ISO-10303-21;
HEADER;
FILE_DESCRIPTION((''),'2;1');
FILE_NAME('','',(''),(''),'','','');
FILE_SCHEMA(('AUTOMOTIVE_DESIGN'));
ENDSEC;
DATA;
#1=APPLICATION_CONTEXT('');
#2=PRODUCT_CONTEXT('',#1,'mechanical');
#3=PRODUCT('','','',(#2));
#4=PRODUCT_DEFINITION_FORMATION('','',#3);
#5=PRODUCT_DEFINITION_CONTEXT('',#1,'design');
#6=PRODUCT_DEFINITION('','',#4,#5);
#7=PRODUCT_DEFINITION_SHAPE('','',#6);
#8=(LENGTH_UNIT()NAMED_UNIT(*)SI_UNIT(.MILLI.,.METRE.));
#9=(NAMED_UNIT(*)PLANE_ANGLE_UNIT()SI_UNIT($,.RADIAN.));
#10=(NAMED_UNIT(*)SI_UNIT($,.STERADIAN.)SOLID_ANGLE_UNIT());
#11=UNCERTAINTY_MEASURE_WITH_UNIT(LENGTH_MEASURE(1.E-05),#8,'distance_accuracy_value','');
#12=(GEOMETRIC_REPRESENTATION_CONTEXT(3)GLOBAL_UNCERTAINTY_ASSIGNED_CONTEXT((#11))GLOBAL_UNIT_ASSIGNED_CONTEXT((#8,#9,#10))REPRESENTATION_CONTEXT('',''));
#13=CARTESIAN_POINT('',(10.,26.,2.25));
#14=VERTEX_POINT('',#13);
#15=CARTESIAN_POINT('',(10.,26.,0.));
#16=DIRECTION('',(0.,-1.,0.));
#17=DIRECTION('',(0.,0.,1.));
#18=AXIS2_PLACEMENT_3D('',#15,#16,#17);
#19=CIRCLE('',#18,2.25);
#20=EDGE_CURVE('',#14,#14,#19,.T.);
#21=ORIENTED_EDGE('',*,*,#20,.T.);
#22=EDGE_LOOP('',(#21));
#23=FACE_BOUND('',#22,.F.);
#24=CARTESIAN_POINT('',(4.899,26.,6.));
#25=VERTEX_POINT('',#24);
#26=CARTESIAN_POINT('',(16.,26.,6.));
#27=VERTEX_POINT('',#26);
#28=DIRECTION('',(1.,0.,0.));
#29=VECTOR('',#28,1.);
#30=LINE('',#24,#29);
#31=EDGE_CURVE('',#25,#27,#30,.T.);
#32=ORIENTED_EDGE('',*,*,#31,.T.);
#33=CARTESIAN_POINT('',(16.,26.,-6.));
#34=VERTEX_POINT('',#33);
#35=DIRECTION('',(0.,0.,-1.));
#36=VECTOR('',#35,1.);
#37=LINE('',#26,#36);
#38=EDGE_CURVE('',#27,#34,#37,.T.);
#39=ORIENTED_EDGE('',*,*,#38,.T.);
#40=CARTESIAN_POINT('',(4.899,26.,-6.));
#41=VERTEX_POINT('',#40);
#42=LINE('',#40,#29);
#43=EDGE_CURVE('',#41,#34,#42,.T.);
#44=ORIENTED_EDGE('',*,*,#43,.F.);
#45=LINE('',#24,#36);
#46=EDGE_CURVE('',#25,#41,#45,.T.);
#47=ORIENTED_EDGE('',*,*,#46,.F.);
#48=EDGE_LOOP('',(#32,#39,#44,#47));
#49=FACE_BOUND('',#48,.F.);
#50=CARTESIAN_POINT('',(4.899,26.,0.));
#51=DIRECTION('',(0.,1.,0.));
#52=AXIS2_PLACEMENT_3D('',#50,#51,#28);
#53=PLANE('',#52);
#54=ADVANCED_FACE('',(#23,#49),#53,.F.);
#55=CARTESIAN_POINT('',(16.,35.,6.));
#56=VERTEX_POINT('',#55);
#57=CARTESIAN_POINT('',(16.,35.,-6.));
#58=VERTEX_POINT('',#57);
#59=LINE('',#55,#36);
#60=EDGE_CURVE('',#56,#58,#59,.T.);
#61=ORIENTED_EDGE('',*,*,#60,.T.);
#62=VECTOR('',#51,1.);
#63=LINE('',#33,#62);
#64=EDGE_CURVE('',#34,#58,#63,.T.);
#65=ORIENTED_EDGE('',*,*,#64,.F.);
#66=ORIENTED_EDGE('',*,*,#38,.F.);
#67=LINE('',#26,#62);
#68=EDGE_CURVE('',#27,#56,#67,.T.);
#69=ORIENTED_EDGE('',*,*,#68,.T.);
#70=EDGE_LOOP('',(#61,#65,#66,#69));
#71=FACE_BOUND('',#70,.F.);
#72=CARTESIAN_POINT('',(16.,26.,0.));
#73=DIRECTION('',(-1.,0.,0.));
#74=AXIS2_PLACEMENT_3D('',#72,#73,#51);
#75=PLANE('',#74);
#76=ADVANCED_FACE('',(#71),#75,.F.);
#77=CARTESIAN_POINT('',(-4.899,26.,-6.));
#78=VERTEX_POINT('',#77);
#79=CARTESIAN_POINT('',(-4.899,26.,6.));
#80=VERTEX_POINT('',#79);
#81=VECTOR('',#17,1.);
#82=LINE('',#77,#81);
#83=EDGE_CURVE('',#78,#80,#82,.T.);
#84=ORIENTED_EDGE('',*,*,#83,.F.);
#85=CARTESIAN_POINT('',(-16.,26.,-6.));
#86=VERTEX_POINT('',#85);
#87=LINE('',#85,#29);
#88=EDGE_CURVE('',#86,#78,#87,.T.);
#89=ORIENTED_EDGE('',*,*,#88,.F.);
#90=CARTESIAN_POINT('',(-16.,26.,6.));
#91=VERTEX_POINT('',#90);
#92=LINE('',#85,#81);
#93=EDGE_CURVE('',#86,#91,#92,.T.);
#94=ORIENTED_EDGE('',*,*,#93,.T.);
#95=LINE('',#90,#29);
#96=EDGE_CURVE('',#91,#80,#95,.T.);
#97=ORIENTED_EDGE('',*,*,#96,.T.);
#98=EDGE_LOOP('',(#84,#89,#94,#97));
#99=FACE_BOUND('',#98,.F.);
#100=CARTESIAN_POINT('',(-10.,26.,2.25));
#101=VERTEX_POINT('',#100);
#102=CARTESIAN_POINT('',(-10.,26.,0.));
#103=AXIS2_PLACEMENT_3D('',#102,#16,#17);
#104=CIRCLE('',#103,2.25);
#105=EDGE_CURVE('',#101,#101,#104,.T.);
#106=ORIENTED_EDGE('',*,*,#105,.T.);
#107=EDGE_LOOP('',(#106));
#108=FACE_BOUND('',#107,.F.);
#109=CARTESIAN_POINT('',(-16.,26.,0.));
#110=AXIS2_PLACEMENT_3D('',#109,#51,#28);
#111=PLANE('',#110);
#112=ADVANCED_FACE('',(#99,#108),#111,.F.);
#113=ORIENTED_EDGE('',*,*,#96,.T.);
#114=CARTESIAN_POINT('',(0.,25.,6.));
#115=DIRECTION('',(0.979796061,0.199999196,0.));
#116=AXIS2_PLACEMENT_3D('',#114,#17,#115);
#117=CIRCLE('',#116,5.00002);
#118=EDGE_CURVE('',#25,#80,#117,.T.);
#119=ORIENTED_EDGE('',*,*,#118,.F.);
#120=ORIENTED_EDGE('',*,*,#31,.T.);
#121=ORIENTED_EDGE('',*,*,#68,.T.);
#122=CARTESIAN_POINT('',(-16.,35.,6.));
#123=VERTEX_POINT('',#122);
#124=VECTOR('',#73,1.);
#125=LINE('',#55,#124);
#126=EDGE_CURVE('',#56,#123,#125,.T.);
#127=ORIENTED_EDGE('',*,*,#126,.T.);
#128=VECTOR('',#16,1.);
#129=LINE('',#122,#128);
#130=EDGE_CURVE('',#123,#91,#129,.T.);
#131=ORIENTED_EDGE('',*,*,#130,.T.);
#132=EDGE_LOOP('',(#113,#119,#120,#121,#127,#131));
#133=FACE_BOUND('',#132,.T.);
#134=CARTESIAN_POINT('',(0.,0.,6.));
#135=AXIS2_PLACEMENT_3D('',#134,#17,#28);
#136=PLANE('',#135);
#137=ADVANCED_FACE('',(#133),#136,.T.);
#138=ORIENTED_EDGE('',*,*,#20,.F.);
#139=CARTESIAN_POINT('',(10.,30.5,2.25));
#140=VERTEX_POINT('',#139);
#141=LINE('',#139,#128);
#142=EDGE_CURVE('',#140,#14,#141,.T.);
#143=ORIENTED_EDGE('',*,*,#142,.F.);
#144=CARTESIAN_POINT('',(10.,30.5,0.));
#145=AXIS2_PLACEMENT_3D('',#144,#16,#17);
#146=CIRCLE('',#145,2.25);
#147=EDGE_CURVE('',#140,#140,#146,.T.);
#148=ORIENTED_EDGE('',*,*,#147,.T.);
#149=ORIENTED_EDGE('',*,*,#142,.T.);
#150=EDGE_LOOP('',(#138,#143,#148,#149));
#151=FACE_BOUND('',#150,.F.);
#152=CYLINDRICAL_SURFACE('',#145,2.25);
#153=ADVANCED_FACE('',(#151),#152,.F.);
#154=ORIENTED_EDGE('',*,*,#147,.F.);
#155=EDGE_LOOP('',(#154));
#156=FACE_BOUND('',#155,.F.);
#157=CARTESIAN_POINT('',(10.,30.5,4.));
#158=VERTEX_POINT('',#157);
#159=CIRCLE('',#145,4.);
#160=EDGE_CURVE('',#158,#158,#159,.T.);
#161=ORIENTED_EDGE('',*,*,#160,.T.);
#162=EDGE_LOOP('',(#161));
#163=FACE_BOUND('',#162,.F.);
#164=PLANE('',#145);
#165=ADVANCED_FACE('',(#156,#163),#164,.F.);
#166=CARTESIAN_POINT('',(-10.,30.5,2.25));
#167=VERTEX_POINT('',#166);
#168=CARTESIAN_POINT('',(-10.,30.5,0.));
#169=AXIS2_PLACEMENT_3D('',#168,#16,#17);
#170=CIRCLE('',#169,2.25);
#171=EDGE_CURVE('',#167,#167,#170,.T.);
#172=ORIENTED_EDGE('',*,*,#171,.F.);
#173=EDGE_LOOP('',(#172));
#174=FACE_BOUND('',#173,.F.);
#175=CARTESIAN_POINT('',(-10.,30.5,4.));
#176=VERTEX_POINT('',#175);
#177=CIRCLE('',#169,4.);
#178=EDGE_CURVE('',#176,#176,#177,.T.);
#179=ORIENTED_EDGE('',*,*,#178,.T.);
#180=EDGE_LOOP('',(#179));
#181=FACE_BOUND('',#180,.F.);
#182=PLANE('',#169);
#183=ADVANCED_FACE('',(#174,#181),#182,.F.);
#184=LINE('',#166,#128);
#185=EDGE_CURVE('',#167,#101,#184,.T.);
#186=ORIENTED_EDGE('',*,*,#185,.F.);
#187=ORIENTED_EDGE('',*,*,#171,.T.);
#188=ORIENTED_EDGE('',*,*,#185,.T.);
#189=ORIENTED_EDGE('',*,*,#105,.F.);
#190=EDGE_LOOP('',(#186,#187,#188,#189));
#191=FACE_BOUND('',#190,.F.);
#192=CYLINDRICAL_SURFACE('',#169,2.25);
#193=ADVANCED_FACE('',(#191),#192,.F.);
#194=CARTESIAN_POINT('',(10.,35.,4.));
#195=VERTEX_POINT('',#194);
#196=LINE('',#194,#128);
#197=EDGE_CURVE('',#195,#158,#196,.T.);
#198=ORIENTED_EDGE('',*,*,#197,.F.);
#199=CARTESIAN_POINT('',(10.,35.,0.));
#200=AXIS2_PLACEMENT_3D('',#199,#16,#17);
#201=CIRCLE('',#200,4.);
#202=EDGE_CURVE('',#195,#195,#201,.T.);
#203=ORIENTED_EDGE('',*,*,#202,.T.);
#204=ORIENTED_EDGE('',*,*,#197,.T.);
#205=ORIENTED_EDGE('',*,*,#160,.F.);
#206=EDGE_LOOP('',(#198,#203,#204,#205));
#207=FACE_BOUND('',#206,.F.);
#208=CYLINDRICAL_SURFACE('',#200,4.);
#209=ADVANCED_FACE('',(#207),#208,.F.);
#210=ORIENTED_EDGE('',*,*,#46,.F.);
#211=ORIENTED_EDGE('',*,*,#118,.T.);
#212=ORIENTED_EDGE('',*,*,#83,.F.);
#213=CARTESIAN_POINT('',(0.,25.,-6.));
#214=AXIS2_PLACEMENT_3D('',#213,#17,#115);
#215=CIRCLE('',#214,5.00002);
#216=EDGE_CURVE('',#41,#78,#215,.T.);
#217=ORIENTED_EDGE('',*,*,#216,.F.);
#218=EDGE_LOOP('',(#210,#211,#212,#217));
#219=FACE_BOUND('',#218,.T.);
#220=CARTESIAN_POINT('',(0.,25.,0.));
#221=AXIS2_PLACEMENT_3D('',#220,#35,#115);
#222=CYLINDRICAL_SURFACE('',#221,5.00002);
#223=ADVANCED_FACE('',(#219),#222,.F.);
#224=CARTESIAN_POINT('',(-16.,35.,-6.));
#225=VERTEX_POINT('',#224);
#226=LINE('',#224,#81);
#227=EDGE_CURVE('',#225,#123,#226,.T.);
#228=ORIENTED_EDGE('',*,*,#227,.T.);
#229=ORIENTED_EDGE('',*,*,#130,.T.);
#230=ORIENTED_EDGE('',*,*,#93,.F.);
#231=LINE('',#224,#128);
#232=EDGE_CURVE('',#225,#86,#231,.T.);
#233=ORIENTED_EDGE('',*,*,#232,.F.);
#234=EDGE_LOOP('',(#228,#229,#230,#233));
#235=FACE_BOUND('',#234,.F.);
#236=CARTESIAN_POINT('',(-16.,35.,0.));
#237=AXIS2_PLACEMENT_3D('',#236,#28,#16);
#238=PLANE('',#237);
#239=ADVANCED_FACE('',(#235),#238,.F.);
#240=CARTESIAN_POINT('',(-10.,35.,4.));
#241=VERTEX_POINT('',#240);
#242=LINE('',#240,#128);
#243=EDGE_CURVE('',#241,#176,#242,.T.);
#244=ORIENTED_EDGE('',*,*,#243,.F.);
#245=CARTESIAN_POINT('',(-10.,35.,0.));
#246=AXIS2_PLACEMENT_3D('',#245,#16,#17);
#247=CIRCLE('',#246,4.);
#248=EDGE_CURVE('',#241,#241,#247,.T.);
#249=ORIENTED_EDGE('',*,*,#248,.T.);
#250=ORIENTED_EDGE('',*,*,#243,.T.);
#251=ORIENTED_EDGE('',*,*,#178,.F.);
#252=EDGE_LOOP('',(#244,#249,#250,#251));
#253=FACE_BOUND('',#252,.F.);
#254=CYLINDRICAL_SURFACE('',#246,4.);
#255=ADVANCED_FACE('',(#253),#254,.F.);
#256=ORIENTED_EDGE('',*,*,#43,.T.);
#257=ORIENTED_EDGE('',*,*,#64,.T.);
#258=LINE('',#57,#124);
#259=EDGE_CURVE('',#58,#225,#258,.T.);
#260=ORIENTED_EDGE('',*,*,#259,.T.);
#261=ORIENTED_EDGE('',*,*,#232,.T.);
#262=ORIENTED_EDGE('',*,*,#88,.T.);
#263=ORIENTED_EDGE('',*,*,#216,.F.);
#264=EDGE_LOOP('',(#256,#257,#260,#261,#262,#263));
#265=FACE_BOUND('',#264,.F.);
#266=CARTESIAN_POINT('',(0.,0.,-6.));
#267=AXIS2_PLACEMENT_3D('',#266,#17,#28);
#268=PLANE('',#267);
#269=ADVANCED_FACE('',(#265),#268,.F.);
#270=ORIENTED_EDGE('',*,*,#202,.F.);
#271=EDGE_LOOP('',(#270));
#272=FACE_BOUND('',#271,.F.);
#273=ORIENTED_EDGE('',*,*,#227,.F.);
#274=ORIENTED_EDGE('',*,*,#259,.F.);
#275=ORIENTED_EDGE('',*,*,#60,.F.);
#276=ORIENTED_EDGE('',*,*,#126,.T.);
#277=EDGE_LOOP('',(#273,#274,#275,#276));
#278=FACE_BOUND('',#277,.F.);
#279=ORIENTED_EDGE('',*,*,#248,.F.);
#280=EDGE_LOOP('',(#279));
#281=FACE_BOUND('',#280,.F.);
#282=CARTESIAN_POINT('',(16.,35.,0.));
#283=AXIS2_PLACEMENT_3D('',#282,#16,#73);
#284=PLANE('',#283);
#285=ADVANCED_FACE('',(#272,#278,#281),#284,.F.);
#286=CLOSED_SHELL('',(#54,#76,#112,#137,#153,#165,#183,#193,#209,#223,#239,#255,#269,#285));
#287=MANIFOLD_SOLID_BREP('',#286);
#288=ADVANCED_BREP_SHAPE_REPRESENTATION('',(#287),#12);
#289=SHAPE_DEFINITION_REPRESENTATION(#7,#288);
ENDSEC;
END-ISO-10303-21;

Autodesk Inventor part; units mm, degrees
sketch "Sketch_10" plane through (0, 0, 0) normal (0, 0, 1) x (1, 0, 0)
  line L0 (-16, 35) -> (-16, 26)
  line L1 (-16, 26) -> (-4.899, 26)
  arc A0 (4.899, 26) -> (-4.899, 26) centre (0, 25) ccw
  line L2 (4.899, 26) -> (16, 26)
  line L3 (16, 26) -> (16, 35)
  line L4 (16, 35) -> (-16, 35)
extrude "Extrusion1" add sketch "Sketch_10" along normal mid plane 12
sketch "Sketch2" plane through (-16, 35, 6) normal (0, 1, 0) x (1, 0, 0)
  point P0 (26, 6)
hole "Hole1" at (10, 35, 0) direction (0, -1, 0) diameter 4.5 depth 9 counterbore diameter 8 counterbore depth 4.5
sketch "Sketch3" plane through (-16, 35, 6) normal (0, 1, 0) x (1, 0, 0)
  point P0 (6, 6)
hole "Hole2" at (-10, 35, 0) direction (0, -1, 0) diameter 4.5 depth 9 counterbore diameter 8 counterbore depth 4.5
ref_plane "p_to_b_XY" through (0, 0, 0) normal (0, 1, 0) x (1, 0, 0)
ref_plane "p_to_b_YZ" through (0, 0, 0) normal (1, 0, 0) x (0, 0, -1)
ref_plane "p_to_b_ZX" through (0, 0, 0) normal (0, 0, -1) x (0, 1, 0)
properties part number "SHZA10-25_p"
